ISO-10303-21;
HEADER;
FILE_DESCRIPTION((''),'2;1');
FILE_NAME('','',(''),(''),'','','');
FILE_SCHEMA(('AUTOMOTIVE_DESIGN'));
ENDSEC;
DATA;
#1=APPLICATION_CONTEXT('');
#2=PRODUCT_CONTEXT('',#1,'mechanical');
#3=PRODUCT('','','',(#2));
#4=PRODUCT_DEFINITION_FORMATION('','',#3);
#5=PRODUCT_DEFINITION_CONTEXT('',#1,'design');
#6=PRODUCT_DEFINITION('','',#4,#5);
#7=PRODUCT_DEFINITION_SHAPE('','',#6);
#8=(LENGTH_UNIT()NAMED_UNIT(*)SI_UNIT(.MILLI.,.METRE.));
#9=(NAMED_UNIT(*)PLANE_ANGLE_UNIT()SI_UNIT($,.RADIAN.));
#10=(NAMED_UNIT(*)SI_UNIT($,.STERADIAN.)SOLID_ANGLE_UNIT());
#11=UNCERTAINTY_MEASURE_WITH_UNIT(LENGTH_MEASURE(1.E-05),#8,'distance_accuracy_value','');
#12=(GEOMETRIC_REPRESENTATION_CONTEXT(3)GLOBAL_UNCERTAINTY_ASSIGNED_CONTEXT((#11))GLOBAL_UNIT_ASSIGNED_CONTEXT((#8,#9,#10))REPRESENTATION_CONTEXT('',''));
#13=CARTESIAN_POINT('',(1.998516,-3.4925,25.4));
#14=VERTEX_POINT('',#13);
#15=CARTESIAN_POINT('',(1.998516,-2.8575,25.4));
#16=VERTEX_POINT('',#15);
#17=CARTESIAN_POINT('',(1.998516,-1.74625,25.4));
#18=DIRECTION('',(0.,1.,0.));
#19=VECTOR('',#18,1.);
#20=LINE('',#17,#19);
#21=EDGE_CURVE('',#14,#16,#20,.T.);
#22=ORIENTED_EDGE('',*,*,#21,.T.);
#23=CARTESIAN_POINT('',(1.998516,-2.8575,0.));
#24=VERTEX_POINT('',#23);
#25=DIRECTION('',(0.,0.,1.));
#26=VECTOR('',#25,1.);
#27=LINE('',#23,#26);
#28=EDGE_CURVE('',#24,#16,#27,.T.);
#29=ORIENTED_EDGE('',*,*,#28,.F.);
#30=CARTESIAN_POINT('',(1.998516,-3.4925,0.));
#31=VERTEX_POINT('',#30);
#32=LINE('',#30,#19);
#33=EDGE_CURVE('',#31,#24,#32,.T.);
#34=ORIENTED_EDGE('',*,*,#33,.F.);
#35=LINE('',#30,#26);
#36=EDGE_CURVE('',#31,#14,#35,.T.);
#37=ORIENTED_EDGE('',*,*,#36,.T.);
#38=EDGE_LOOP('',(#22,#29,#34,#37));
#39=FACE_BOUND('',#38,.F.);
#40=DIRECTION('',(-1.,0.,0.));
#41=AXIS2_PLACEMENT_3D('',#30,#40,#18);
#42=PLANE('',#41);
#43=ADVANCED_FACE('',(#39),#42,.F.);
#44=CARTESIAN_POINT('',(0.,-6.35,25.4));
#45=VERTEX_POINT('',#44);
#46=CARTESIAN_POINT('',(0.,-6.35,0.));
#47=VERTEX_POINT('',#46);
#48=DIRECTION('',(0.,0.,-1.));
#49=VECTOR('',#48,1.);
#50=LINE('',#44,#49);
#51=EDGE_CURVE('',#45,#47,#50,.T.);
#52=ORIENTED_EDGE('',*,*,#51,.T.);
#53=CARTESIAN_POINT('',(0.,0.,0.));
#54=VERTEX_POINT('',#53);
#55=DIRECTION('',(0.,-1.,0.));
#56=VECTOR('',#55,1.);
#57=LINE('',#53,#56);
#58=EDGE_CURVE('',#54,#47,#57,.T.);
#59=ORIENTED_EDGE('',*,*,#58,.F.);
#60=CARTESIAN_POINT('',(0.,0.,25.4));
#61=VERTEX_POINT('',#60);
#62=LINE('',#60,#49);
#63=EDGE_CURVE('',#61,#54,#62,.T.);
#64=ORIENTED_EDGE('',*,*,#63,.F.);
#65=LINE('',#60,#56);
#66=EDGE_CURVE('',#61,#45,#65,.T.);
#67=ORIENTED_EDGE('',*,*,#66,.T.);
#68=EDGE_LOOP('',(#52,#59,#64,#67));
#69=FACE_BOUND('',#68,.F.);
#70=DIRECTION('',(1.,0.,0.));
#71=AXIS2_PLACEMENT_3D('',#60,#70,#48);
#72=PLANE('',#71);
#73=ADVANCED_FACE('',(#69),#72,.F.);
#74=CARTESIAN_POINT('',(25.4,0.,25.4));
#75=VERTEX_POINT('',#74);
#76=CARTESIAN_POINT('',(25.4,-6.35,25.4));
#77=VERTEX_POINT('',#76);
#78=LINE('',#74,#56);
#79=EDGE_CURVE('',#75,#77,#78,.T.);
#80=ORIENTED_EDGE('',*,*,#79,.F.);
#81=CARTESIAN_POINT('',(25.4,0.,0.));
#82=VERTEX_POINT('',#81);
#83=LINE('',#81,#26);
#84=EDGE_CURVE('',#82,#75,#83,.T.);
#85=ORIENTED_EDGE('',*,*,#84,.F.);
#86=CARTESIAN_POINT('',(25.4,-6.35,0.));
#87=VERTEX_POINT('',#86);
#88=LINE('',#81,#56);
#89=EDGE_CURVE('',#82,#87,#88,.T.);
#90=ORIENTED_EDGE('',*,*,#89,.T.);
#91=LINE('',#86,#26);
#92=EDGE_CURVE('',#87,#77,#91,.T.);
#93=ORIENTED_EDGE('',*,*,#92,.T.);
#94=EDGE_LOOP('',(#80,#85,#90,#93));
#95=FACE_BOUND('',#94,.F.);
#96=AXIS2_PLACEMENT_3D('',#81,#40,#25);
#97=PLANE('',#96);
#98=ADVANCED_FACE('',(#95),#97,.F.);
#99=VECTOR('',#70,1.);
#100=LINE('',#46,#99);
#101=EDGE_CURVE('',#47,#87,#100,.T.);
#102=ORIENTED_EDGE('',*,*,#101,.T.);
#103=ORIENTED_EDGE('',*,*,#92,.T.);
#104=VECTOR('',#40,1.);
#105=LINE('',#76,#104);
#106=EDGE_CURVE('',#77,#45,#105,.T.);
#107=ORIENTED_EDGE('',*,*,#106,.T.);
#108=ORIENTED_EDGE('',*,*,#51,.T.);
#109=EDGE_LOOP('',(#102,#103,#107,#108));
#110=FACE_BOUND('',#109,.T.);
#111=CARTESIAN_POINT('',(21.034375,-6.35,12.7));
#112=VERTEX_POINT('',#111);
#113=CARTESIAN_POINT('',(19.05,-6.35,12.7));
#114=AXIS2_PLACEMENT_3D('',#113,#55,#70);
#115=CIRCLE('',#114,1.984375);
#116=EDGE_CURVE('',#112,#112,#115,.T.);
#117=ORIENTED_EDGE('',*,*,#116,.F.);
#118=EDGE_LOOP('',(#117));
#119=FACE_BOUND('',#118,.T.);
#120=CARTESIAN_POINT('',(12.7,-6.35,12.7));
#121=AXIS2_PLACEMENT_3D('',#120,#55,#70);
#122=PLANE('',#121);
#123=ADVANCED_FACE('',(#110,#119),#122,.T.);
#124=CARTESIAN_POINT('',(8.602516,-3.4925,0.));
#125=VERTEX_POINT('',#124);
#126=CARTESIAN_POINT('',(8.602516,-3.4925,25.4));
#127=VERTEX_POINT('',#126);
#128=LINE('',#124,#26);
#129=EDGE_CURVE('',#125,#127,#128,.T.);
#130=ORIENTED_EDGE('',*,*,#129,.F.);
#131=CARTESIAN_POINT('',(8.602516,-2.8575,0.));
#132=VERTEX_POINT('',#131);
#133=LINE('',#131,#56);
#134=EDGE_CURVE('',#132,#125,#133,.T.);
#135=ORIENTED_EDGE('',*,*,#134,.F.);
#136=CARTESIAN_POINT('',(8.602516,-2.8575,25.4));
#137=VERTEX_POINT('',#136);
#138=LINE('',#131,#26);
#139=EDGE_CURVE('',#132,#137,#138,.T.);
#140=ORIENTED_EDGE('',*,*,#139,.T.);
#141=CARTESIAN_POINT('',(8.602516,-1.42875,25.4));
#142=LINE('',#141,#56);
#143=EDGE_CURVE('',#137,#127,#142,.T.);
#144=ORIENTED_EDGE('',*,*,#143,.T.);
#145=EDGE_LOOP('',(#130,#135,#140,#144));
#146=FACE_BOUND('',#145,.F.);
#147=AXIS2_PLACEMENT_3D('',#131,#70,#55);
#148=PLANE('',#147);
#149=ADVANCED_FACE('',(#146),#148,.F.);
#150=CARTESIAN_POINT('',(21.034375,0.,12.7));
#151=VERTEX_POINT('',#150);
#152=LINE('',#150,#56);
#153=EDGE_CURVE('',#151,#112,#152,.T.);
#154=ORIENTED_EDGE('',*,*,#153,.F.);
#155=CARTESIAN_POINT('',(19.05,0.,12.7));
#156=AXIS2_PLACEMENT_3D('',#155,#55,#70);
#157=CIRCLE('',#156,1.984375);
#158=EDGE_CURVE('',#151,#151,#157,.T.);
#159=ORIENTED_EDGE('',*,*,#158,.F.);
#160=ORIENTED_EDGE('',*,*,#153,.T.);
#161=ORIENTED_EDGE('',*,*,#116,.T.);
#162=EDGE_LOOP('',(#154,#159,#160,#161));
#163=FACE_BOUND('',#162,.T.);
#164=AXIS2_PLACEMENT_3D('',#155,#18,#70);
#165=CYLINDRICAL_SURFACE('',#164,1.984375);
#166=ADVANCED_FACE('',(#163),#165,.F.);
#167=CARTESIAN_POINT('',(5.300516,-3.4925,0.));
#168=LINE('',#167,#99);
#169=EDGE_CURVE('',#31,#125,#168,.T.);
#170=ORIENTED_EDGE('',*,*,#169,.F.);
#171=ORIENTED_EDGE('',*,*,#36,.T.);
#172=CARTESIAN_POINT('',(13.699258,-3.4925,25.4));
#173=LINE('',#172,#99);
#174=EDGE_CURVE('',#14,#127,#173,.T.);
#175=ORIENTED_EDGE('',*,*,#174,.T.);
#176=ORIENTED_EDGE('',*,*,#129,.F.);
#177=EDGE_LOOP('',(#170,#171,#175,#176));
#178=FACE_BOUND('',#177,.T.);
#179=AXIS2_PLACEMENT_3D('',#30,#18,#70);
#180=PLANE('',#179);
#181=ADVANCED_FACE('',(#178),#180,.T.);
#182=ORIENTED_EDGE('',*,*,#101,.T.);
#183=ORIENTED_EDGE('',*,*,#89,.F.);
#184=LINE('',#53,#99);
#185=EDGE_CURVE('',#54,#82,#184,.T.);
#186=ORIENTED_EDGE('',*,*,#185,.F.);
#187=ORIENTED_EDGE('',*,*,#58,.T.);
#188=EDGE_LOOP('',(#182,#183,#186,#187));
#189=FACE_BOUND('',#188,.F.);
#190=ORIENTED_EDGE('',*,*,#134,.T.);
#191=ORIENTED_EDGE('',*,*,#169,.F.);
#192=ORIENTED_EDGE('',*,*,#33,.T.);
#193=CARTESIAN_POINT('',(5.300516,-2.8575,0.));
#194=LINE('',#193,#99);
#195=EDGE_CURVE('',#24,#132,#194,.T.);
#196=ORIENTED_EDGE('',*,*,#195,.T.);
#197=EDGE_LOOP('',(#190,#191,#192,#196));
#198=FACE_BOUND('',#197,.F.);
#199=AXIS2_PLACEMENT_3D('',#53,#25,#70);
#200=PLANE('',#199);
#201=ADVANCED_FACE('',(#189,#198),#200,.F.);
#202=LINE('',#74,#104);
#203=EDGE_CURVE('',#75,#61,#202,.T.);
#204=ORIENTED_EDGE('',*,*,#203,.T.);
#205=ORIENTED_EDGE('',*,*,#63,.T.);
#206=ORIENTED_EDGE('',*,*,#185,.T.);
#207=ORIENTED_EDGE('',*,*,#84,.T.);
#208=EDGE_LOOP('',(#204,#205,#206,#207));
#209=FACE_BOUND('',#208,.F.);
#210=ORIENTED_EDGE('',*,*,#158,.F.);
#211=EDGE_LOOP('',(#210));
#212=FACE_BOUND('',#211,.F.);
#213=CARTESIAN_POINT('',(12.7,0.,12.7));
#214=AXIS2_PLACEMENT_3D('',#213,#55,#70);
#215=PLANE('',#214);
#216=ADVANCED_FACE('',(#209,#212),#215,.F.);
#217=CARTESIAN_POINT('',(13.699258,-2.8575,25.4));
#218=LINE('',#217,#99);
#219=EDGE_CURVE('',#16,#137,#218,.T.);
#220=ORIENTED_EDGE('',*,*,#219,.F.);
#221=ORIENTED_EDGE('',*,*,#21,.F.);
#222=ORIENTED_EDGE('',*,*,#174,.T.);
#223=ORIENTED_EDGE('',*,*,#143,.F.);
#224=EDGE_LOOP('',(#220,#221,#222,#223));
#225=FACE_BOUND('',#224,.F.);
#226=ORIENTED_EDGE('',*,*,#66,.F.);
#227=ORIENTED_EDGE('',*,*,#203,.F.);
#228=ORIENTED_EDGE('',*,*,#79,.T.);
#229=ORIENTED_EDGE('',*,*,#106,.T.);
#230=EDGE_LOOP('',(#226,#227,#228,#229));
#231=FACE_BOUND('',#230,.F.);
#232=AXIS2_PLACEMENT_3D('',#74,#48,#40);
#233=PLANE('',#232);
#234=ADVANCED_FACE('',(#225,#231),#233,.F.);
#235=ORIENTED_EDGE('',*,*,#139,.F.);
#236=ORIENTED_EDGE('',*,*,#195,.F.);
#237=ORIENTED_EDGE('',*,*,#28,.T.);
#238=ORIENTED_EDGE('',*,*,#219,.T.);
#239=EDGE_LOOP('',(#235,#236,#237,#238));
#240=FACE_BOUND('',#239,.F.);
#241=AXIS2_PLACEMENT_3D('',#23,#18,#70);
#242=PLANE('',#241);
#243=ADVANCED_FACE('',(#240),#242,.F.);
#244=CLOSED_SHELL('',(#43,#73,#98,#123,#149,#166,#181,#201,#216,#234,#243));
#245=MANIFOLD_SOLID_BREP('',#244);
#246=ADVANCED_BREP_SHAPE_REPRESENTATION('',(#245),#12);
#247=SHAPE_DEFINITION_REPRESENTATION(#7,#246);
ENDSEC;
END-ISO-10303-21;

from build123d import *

# Parameters (mm, degrees)
F0_R     = 1.984375
F1_DEPTH = 6.35
F2_W     = 6.604
F2_H     = 0.3175
F3_DEPTH = 76.2


with BuildPart() as f1:
    # F0 (on Front) → F1 (new body)
    with BuildSketch(Plane.XZ):
        Polygon((0, 12.7), (0, 0), (25.4, 0), (25.4, 25.4), (0, 25.4), align=None)
        with Locations((19.05, 12.7)):
            Circle(F0_R, mode=Mode.SUBTRACT)
    extrude(amount=F1_DEPTH)

    # F2 (on face) → F3 (cut)
    with BuildSketch(Plane(origin=(0, 0, 0), x_dir=(1, 0, 0), z_dir=(0, 0, -1))):
        with Locations((5.300516, 3.33375)):
            Rectangle(F2_W, F2_H)
        with Locations((5.300516, 3.01625)):
            Rectangle(F2_W, F2_H)
    extrude(amount=-F3_DEPTH, mode=Mode.SUBTRACT)


solid = f1.part
